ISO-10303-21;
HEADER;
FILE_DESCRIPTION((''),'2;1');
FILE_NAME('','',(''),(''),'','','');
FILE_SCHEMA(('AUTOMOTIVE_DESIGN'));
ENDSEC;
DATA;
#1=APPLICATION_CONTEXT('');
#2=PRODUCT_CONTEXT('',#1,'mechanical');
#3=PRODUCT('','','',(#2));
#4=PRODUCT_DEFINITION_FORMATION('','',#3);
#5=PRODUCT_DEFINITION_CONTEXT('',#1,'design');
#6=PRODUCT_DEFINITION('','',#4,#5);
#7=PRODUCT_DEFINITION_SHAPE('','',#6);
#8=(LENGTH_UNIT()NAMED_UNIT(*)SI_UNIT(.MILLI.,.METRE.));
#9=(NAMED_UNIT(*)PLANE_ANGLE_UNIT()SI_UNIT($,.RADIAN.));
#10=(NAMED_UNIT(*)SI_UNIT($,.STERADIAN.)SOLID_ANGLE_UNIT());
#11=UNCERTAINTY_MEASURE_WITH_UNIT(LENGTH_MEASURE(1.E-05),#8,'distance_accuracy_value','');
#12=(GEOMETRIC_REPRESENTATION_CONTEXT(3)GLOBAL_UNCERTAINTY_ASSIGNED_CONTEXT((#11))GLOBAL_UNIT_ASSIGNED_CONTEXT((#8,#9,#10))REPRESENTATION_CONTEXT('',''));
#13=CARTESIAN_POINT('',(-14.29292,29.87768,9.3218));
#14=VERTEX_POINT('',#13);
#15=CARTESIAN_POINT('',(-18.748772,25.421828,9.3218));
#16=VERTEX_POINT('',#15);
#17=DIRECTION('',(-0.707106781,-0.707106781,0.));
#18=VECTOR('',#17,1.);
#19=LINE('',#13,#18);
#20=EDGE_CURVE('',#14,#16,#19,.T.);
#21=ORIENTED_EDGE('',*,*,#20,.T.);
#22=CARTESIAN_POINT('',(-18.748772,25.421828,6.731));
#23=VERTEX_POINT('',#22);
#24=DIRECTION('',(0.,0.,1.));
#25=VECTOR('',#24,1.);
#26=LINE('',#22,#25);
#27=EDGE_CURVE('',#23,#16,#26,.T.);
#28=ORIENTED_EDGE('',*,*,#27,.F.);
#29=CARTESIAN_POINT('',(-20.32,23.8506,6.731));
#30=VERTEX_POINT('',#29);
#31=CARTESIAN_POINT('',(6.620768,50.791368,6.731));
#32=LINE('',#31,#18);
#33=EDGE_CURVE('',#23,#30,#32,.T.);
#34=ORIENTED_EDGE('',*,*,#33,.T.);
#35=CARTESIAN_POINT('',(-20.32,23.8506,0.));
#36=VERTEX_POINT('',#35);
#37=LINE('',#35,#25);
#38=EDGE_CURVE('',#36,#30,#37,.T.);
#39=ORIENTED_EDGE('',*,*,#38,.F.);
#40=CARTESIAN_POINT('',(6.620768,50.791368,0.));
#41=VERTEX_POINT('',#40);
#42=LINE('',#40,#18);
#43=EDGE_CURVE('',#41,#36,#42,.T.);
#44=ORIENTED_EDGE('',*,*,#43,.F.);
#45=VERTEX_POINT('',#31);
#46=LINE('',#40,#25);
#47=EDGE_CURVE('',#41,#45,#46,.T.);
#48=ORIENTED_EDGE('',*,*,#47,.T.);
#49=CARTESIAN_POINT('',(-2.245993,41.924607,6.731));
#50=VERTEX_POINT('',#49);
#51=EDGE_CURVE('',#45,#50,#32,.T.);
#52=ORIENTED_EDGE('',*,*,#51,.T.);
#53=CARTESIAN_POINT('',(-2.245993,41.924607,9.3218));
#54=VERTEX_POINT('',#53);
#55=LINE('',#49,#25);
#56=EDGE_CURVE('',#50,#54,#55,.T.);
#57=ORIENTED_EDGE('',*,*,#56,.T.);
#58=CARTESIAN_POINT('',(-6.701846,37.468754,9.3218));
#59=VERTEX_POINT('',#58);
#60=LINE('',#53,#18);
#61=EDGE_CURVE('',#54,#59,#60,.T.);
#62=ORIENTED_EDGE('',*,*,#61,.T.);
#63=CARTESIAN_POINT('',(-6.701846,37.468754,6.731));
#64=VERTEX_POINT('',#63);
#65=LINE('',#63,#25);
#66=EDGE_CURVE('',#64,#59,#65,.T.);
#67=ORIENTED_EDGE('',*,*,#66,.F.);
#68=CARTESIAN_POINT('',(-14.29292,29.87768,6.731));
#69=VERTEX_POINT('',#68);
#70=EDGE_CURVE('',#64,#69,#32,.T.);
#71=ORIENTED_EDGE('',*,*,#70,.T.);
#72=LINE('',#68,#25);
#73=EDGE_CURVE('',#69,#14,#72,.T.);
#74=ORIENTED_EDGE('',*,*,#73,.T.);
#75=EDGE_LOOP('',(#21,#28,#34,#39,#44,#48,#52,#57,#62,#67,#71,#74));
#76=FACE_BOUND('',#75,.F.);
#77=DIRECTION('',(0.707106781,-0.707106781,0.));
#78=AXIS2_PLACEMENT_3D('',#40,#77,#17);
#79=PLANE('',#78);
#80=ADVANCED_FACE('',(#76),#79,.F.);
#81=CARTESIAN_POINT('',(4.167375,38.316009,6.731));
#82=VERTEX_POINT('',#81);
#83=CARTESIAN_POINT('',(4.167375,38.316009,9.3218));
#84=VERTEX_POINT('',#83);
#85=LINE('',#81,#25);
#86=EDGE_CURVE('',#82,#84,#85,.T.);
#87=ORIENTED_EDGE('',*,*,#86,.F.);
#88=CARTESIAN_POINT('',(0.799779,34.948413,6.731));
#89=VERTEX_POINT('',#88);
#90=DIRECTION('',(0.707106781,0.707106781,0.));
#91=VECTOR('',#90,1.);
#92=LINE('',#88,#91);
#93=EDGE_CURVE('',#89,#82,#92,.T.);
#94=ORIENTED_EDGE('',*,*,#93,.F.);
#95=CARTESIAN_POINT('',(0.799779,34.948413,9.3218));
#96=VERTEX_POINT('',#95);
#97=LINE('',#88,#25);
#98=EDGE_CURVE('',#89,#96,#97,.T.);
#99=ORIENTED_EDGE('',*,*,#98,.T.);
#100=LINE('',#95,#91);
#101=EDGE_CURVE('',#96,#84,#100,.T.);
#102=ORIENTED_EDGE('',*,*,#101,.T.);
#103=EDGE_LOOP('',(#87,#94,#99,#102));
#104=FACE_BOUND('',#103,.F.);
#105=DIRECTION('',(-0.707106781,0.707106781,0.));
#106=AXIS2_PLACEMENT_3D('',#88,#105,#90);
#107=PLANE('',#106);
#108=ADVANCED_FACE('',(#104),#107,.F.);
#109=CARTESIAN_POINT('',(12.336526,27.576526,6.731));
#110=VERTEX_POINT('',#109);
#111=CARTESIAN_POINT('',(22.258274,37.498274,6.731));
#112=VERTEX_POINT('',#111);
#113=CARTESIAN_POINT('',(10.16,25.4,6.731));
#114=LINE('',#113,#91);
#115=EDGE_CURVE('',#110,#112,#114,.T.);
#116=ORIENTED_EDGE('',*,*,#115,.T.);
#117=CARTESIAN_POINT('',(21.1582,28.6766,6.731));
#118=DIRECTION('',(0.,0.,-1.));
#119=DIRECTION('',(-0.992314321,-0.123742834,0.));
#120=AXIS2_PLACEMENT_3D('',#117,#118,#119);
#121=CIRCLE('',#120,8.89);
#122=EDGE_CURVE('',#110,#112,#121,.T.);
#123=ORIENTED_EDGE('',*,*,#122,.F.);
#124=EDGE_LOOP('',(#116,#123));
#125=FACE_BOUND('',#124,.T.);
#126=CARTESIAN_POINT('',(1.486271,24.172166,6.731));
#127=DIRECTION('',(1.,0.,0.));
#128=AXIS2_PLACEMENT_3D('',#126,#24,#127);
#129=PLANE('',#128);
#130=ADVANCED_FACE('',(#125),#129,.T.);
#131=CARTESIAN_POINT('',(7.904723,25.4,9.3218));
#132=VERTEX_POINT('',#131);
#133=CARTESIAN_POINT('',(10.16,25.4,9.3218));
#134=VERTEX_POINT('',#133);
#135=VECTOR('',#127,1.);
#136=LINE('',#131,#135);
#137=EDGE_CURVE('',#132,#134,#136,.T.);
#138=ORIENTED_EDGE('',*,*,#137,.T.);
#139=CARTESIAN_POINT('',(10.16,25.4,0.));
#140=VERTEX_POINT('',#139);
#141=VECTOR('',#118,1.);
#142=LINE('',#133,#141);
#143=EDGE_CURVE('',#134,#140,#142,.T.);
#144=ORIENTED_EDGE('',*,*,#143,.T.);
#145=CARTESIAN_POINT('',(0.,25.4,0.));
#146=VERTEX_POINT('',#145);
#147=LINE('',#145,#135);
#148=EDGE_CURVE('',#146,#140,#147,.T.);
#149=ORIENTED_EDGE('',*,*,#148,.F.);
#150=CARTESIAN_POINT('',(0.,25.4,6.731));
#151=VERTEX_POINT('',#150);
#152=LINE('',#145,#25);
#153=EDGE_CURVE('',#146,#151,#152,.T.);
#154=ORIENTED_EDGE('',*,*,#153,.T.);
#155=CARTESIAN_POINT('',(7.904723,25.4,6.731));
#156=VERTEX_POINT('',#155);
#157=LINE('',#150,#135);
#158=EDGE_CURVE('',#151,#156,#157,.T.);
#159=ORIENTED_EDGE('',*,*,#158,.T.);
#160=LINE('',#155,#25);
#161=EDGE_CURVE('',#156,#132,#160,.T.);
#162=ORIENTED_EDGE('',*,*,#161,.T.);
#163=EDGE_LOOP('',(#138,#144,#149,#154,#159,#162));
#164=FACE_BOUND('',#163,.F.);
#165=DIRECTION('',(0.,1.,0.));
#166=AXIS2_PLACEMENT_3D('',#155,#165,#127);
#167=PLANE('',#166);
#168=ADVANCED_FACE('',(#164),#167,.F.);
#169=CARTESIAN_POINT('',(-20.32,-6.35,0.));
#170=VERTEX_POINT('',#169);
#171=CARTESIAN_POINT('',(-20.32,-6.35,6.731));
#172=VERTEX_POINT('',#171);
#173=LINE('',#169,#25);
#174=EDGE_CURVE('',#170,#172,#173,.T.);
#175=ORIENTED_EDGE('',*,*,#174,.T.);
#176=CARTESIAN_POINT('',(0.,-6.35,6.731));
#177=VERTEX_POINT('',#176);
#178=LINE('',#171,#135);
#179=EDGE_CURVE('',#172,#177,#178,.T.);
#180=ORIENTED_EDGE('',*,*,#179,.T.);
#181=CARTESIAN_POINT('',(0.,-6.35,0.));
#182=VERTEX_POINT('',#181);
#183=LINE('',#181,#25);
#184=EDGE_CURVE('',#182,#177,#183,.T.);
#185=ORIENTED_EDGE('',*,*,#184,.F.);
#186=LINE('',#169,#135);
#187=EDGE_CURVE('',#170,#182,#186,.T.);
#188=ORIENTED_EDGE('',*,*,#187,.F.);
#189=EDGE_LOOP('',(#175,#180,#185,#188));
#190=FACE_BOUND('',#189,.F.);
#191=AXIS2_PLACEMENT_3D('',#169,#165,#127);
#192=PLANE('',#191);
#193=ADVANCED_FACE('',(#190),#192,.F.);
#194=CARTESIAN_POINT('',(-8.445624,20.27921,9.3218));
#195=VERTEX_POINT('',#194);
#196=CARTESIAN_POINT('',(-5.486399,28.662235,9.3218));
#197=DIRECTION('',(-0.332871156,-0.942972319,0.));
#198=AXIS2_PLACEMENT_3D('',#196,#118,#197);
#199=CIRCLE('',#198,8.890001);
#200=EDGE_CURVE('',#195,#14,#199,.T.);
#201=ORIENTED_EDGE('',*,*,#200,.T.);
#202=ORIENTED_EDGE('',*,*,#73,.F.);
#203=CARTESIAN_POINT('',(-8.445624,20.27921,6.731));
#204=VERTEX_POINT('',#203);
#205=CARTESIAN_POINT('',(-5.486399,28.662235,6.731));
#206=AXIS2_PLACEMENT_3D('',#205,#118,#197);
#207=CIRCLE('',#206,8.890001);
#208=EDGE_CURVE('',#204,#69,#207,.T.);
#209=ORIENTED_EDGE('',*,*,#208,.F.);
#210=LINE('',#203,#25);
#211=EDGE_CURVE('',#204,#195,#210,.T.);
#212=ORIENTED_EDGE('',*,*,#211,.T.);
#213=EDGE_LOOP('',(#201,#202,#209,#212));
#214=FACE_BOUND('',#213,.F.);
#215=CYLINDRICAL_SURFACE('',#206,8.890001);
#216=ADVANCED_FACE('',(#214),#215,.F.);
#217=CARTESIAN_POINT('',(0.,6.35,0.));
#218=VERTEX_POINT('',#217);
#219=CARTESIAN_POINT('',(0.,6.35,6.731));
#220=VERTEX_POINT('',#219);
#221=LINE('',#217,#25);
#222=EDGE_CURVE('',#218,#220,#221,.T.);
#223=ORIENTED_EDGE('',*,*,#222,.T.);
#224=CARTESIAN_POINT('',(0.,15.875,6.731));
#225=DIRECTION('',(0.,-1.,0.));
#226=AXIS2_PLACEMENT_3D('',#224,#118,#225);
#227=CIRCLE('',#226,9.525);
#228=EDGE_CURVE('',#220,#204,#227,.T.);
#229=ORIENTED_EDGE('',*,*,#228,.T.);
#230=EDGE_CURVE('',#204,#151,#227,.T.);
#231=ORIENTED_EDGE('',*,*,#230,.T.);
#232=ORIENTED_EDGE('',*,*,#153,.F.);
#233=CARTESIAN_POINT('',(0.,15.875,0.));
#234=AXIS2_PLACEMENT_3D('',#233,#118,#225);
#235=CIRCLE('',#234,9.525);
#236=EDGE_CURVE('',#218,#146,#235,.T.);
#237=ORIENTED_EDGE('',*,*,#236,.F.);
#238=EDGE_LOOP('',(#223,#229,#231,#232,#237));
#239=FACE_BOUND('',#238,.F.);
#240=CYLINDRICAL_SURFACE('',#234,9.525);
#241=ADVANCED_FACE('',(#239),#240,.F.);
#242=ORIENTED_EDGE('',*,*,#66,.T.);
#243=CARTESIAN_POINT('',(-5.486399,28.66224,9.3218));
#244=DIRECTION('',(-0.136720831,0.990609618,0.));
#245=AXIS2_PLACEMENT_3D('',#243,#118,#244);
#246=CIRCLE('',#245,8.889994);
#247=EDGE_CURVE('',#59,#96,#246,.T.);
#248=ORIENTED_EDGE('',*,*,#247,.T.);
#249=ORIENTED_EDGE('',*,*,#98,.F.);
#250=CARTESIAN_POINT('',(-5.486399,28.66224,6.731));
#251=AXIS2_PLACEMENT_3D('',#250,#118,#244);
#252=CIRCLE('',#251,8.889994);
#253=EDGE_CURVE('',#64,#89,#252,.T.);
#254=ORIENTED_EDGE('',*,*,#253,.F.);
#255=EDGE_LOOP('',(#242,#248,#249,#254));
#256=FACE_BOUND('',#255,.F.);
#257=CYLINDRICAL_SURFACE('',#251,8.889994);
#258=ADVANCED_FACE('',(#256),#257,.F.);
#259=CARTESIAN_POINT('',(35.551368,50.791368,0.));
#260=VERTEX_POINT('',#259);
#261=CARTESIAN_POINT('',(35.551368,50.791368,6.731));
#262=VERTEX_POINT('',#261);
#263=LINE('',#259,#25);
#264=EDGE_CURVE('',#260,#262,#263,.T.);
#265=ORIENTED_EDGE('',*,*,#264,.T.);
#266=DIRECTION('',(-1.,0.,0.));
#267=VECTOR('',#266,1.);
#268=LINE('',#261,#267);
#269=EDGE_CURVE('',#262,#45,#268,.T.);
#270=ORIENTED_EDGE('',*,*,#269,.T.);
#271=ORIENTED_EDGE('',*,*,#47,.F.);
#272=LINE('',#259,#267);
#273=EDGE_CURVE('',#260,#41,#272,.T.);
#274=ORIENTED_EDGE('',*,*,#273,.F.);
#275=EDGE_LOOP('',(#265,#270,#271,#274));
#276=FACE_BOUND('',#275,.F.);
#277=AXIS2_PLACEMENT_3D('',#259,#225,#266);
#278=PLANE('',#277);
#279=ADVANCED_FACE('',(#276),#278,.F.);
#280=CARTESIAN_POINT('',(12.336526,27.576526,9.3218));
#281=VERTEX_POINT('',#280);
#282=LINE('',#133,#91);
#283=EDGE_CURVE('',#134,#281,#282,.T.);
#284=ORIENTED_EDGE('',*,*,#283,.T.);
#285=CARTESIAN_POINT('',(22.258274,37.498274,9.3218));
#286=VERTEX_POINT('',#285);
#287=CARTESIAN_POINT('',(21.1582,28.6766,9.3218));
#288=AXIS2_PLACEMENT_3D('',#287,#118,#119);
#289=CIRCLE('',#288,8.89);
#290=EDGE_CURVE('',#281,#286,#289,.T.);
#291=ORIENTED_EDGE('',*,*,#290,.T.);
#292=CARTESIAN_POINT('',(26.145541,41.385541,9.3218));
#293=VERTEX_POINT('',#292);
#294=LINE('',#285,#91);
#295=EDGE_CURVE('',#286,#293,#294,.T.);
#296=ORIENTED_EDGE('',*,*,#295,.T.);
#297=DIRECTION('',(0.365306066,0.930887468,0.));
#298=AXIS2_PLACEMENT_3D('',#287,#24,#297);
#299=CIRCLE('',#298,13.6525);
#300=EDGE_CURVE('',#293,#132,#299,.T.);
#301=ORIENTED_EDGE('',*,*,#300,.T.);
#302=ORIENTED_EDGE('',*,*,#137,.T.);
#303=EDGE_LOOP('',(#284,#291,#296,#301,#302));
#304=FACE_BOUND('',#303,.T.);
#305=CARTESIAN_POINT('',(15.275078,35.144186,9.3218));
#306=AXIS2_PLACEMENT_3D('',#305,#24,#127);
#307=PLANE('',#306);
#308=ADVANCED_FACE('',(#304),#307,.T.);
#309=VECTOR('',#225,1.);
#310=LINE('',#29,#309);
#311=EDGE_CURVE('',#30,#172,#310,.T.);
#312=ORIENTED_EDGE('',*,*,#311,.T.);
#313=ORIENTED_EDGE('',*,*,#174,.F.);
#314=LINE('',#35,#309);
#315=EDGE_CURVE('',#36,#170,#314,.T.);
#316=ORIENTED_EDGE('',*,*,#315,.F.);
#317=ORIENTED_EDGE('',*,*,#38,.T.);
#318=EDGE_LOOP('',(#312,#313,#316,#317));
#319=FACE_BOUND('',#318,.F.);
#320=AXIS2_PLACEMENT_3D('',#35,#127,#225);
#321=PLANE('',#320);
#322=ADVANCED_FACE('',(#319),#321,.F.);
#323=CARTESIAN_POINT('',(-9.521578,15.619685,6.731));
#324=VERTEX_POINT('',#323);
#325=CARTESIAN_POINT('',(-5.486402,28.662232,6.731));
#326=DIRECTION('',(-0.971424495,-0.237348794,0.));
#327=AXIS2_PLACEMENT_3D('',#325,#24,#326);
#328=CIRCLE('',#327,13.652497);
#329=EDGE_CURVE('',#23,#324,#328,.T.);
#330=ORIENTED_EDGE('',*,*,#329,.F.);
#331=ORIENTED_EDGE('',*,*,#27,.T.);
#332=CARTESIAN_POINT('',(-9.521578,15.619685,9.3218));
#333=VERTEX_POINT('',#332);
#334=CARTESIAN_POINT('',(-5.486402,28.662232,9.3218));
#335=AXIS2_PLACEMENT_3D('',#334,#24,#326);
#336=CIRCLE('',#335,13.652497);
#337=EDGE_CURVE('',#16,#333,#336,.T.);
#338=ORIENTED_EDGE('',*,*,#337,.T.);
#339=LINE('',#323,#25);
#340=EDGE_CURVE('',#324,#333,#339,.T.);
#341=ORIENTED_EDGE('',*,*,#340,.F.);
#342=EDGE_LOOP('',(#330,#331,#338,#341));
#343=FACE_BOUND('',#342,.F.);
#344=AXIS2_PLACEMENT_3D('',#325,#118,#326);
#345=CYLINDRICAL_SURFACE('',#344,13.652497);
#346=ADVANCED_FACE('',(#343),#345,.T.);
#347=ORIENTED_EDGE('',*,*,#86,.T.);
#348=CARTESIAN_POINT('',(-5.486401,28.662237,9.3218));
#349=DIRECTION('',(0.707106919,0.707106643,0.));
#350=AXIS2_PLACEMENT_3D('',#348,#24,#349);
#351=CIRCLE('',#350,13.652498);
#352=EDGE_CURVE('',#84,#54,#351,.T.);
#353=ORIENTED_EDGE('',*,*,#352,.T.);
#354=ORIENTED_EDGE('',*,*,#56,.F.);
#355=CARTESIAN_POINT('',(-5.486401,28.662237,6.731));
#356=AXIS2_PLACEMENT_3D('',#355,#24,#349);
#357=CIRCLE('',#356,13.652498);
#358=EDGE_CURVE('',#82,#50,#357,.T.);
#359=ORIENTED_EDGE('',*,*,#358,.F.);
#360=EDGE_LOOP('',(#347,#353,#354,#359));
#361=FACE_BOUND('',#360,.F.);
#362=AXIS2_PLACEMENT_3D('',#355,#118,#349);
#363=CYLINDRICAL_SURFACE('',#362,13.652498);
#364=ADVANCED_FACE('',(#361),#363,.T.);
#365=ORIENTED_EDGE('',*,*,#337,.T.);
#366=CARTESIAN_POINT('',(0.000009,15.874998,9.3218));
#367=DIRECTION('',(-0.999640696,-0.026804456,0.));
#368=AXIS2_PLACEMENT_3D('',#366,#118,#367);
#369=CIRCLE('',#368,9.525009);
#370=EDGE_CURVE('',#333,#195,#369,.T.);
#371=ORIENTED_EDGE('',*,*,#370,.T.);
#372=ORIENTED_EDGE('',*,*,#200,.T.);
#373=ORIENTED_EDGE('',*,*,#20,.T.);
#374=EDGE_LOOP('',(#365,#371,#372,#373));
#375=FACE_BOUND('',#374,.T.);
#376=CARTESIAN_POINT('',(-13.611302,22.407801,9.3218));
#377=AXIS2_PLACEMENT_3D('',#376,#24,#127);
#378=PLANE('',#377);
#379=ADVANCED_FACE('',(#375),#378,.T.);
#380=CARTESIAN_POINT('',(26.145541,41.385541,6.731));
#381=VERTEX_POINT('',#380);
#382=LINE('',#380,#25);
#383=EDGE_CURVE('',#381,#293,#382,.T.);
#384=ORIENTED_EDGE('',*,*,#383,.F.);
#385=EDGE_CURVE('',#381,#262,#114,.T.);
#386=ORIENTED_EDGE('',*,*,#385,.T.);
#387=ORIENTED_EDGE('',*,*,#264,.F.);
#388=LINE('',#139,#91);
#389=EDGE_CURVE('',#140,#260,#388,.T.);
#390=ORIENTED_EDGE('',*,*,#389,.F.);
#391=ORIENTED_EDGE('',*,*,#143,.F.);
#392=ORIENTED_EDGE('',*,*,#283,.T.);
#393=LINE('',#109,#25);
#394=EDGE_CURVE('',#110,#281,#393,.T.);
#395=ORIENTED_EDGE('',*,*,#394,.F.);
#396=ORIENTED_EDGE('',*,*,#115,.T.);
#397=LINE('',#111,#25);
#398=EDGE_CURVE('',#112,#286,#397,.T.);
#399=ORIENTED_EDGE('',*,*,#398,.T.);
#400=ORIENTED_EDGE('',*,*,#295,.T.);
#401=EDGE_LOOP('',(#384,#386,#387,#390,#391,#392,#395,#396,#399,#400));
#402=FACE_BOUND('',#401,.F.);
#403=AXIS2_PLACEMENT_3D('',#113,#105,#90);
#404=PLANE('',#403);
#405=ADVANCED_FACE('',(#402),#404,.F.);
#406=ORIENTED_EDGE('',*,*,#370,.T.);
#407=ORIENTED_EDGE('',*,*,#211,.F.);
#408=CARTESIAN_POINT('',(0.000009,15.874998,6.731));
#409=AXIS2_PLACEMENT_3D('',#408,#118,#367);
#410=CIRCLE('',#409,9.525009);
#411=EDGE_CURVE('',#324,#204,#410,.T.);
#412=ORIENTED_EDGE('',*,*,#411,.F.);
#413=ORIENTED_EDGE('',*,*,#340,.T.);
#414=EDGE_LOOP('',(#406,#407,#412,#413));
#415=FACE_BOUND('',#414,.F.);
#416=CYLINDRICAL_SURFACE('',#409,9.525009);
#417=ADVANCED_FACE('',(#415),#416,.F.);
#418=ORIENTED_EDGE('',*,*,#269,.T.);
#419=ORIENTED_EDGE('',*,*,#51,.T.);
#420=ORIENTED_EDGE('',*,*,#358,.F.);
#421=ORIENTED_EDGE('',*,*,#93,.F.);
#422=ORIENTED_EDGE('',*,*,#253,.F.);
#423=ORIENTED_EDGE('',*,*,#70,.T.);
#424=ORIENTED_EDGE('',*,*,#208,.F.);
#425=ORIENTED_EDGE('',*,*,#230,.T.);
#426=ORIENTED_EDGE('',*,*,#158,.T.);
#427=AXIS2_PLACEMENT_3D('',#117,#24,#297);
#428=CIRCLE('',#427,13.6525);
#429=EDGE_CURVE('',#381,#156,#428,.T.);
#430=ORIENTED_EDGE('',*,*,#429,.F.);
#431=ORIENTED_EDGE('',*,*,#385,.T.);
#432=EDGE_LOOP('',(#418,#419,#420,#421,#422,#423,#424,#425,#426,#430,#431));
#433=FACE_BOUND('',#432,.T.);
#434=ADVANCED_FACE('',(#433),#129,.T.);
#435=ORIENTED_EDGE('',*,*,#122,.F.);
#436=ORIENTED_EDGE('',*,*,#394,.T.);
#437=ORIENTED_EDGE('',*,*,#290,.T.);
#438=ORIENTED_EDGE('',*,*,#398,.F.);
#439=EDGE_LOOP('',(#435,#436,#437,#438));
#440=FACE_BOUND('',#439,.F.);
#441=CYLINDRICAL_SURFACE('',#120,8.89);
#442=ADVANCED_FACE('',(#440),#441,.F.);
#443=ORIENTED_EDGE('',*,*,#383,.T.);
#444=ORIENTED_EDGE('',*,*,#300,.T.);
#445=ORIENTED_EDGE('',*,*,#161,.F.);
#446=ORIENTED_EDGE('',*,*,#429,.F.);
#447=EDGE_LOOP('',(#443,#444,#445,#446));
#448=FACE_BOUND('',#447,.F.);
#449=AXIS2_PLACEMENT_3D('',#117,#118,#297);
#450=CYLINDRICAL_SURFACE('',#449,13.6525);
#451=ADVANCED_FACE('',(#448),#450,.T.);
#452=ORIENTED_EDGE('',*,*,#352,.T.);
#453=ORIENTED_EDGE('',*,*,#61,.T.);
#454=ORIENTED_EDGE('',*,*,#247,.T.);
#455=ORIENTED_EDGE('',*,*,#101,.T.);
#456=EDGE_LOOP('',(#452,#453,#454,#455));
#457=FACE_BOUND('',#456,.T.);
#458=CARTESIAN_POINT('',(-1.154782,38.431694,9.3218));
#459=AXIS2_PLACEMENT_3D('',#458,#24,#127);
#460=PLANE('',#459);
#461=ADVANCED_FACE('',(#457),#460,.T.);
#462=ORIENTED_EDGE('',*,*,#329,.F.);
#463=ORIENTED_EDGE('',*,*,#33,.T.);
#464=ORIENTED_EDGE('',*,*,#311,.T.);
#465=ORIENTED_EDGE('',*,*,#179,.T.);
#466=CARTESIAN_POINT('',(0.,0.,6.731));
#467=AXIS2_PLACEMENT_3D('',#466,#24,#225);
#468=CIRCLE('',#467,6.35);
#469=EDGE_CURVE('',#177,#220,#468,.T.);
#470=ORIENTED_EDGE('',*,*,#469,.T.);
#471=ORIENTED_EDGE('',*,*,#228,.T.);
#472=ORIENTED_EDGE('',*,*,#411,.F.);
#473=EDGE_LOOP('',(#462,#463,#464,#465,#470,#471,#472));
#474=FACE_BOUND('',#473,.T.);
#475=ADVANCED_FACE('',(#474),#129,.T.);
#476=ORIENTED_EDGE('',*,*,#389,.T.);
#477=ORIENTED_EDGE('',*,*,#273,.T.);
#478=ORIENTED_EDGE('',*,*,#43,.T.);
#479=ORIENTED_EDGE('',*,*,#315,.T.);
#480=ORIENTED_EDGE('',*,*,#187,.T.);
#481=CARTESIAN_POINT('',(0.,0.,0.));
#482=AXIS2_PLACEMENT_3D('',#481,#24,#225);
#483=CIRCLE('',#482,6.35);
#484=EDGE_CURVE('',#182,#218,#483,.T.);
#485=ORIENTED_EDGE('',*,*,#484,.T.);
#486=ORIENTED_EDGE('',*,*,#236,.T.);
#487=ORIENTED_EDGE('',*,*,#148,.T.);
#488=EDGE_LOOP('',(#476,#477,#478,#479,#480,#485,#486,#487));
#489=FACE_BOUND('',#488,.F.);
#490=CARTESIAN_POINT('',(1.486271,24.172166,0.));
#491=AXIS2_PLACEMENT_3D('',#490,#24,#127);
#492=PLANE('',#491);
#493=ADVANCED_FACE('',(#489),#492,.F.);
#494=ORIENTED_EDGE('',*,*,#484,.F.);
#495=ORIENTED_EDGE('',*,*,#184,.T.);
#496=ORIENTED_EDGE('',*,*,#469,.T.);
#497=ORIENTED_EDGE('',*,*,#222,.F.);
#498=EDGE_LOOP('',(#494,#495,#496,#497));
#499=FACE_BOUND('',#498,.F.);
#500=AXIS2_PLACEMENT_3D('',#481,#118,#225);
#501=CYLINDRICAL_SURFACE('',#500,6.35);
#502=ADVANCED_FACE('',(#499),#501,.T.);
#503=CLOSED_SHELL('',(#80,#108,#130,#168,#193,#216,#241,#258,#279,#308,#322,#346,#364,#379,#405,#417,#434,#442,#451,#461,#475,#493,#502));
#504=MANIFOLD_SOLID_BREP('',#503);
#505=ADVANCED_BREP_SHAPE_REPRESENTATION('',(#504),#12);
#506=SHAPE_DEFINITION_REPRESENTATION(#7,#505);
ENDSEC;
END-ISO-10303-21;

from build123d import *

# Parameters (mm, degrees)
F1_DEPTH = 6.731
F3_DEPTH = 2.5908


with BuildPart() as f1:
    # F0 (on Top) → F1 (new body)
    with BuildSketch(Plane.XY):
        with BuildLine():
            Line((-20.32, -6.35), (0, -6.35))
            ThreePointArc((0, -6.35), (6.35, 0), (0, 6.35))
            ThreePointArc((0, 6.35), (-9.525, 15.875), (0, 25.4))
            Line((0, 25.4), (10.16, 25.4))
            Line((10.16, 25.4), (35.551368, 50.791368))
            Line((35.551368, 50.791368), (6.620768, 50.791368))
            Line((6.620768, 50.791368), (-20.32, 23.8506))
            Line((-20.32, 23.8506), (-20.32, -6.35))
        make_face()
    extrude(amount=F1_DEPTH)

    # F2 (on face) → F3 (join)
    with BuildSketch(Plane.XY.offset(6.731)):
        with BuildLine():
            ThreePointArc((-8.445624, 20.27921), (-13.078556, 24.037165), (-14.29292, 29.87768))
            Line((-14.29292, 29.87768), (-18.748772, 25.421828))
            ThreePointArc((-18.748772, 25.421828), (-15.427316, 19.304406), (-9.521578, 15.619685))
            ThreePointArc((-9.521578, 15.619685), (-9.28078, 18.01807), (-8.445624, 20.27921))
        make_face()
        with BuildLine():
            Line((0.799779, 34.948413), (4.167375, 38.316009))
            ThreePointArc((4.167375, 38.316009), (1.20841, 40.560565), (-2.245993, 41.924607))
            Line((-2.245993, 41.924607), (-6.701846, 37.468754))
            ThreePointArc((-6.701846, 37.468754), (-2.655126, 37.089333), (0.799779, 34.948413))
        make_face()
        with BuildLine():
            ThreePointArc((12.336526, 27.576526), (14.872021, 34.962779), (22.258274, 37.498274))
            Line((22.258274, 37.498274), (26.145541, 41.385541))
            ThreePointArc((26.145541, 41.385541), (12.160054, 38.944225), (7.904723, 25.4))
            Line((7.904723, 25.4), (10.16, 25.4))
            Line((10.16, 25.4), (12.336526, 27.576526))
        make_face()
    extrude(amount=F3_DEPTH)


solid = f1.part
